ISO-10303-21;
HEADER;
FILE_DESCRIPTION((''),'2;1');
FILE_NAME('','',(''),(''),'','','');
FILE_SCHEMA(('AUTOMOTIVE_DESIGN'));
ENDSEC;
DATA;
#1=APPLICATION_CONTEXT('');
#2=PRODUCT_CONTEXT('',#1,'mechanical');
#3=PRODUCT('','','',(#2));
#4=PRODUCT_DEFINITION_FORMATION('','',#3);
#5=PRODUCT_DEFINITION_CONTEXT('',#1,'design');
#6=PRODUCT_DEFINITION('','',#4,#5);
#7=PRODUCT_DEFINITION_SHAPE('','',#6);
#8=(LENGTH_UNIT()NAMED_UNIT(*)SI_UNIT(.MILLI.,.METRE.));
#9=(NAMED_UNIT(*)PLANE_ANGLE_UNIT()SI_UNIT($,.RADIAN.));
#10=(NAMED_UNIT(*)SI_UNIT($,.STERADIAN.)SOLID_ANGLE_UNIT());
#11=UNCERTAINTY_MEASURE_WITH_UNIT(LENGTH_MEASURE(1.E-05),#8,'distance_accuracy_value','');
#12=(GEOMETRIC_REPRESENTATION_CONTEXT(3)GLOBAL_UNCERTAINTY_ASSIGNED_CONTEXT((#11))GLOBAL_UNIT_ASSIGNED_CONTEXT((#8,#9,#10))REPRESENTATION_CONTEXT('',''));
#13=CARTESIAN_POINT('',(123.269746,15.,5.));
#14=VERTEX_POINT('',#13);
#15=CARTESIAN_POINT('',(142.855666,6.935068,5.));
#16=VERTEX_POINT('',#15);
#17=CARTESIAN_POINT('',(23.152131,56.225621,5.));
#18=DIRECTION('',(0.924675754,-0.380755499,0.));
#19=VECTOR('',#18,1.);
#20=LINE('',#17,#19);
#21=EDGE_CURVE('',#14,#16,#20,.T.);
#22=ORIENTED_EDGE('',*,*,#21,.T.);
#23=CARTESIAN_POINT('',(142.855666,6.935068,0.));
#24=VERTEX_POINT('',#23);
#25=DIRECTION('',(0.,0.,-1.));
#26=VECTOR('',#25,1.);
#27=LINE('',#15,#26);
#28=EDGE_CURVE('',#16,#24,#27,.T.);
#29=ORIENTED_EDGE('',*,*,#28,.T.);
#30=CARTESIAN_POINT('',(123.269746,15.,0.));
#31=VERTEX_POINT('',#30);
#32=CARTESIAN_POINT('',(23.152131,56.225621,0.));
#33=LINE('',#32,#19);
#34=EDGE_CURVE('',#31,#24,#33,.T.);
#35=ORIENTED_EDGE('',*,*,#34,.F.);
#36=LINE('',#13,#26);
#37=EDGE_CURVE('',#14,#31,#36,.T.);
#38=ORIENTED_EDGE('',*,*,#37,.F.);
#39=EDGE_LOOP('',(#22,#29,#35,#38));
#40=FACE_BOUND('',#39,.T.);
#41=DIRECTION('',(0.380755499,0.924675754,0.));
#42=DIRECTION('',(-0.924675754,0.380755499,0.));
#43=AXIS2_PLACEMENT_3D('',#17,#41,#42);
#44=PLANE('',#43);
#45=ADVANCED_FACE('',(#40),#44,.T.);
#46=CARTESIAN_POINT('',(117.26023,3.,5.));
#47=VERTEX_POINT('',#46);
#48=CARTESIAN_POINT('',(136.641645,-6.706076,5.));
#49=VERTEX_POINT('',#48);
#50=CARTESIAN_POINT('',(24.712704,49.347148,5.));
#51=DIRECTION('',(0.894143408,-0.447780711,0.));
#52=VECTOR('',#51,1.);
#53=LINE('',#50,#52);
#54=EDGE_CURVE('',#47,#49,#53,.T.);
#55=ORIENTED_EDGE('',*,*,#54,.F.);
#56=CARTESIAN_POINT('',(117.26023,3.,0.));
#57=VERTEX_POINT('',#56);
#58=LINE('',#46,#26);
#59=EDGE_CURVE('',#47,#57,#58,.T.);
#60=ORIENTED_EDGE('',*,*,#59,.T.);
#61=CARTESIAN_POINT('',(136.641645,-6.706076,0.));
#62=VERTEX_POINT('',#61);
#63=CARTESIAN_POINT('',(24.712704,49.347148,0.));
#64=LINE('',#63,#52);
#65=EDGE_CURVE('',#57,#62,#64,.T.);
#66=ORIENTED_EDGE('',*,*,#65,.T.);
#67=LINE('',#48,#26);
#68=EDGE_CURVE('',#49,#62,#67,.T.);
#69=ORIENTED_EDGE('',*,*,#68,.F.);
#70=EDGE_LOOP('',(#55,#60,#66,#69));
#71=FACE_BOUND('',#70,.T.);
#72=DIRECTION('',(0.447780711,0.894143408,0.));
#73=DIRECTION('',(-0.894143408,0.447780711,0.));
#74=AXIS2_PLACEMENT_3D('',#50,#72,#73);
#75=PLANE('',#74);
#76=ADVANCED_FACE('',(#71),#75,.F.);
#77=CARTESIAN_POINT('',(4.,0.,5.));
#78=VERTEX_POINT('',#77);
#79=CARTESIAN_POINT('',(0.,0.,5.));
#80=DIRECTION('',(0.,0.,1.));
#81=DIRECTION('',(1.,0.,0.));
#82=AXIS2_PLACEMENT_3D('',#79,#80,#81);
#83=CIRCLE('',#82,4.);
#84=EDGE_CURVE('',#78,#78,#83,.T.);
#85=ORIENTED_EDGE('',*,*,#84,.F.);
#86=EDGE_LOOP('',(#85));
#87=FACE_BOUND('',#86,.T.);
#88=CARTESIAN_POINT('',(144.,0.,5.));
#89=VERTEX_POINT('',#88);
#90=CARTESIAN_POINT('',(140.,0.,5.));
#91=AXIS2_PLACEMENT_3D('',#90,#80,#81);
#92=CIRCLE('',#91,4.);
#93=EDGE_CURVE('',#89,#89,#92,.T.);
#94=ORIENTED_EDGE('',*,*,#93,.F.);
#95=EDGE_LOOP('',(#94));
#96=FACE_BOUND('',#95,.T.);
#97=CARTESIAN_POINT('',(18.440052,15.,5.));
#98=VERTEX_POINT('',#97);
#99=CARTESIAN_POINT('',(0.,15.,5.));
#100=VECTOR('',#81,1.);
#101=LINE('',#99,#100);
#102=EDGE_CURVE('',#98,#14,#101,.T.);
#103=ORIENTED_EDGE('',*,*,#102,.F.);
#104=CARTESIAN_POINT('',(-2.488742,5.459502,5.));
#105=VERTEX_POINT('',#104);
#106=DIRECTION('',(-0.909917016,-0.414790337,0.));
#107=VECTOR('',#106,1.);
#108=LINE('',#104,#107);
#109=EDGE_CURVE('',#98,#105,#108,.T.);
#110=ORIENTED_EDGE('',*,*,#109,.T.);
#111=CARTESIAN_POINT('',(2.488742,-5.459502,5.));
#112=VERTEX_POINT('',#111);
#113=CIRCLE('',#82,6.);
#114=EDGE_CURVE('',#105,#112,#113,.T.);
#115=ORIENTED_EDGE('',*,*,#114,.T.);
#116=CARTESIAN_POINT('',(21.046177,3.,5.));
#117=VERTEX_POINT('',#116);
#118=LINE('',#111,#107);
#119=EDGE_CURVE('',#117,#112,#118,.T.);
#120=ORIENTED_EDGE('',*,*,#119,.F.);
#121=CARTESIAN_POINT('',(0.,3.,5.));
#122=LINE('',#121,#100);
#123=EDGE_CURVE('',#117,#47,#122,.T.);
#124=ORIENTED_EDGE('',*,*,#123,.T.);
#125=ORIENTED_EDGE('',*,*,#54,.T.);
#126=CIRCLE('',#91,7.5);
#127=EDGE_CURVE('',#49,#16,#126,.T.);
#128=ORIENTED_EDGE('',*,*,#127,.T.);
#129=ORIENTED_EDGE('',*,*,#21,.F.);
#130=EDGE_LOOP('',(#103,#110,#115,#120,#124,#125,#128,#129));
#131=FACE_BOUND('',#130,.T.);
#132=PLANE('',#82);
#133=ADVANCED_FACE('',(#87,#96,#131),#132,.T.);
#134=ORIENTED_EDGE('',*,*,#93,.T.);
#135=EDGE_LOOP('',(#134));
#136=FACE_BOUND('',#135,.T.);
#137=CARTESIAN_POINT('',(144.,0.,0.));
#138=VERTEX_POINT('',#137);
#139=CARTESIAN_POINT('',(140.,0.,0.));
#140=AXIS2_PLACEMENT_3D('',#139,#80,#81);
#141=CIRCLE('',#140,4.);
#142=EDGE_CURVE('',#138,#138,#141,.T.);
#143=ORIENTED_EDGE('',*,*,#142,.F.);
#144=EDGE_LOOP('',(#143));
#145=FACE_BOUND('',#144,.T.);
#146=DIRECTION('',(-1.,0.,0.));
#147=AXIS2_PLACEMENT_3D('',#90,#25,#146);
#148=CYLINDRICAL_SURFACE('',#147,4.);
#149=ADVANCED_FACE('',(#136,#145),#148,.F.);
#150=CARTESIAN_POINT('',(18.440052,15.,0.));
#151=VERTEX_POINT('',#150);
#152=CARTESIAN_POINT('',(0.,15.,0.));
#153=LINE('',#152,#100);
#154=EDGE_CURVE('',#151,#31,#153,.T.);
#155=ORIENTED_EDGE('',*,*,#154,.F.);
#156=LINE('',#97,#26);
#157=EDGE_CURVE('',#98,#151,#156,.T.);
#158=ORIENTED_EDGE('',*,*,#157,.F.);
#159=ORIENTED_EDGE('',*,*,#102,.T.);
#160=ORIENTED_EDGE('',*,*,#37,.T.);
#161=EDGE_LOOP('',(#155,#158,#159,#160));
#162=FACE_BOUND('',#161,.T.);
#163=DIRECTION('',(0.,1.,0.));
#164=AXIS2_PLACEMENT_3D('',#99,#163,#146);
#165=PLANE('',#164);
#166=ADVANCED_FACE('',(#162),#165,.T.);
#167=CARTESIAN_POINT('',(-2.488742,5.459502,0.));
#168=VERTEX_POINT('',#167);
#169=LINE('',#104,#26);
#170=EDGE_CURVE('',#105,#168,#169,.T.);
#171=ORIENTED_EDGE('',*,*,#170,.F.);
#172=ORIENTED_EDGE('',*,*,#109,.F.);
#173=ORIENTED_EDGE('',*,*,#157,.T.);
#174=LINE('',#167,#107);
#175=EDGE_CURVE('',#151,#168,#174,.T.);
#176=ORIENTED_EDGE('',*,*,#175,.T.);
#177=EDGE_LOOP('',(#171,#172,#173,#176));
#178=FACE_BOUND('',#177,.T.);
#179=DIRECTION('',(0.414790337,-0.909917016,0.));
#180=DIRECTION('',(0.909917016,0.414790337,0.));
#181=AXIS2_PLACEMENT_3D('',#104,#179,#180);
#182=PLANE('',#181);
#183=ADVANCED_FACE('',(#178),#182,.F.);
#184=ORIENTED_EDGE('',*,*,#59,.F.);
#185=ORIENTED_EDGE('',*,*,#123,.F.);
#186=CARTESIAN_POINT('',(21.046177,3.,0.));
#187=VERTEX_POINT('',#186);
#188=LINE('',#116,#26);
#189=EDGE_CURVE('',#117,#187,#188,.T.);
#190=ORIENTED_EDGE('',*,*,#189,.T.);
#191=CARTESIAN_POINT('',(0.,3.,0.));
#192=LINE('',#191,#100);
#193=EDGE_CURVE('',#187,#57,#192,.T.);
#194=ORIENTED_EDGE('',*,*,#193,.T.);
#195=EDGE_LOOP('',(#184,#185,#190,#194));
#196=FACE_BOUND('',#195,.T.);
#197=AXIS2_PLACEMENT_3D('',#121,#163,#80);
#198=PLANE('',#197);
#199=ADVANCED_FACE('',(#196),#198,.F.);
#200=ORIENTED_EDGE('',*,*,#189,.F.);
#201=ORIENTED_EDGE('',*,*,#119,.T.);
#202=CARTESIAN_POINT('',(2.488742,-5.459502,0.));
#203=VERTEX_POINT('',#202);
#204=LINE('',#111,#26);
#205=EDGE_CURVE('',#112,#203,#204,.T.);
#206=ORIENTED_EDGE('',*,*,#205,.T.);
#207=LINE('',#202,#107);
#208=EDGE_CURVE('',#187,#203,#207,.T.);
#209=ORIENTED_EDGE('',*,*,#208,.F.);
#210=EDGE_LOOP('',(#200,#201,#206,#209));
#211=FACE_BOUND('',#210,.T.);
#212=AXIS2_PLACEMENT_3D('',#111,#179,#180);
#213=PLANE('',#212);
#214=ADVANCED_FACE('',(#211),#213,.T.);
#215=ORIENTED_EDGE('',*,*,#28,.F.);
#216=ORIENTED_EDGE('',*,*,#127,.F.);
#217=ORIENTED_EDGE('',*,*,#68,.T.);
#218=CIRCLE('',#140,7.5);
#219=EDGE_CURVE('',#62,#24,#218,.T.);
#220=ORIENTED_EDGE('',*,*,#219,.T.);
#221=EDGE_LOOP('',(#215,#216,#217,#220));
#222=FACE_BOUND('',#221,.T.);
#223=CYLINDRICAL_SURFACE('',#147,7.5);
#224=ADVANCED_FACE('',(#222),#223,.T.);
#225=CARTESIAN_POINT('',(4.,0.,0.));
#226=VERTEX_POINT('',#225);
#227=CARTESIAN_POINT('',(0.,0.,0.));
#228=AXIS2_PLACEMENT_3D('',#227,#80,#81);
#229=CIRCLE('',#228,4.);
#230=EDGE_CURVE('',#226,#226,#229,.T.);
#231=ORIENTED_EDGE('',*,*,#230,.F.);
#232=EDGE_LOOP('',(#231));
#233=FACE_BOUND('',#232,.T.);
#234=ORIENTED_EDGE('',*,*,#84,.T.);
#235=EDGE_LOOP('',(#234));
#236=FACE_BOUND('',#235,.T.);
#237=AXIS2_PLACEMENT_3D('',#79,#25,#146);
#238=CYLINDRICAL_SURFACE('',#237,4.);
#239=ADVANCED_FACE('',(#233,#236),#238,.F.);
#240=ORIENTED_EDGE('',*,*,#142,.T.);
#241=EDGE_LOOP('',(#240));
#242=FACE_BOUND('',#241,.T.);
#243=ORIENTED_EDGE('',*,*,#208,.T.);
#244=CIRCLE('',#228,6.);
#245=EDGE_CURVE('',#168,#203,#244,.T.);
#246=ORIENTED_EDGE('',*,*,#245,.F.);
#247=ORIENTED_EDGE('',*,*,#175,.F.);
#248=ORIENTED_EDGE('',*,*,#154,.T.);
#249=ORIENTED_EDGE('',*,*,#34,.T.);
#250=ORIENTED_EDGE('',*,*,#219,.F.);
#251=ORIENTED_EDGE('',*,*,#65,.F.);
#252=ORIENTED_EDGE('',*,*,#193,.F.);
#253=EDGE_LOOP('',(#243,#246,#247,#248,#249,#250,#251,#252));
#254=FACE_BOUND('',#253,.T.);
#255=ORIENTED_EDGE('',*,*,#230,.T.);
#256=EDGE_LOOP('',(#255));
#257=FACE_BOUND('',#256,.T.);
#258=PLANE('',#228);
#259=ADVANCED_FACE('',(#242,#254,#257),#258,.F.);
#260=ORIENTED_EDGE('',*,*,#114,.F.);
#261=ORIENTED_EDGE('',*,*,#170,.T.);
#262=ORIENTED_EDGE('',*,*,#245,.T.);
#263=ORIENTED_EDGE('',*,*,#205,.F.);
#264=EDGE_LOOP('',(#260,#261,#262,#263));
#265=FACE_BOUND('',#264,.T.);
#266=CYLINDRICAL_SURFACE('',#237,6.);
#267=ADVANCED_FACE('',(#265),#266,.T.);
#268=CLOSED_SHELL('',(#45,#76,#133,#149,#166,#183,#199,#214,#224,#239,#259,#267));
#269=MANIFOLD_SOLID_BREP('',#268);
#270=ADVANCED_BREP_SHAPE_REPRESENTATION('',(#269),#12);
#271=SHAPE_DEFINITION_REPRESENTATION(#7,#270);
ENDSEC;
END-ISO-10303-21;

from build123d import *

# Parameters (mm, degrees)
SCHIZZO1_R                   = 4
ESTRUSIONE_ESTRUSIONE1_DEPTH = 5


with BuildPart() as part:
    # Schizzo1 → Estrusione-Estrusione1 (new body)
    with BuildSketch(Plane.XY):
        with BuildLine():
            Line((18.440051647, 15), (123.269745712, 15))
            Line((123.269745712, 15), (142.855666239, 6.935068156))
            ThreePointArc((142.855666239, 6.935068156), (146.82520143, -3.10911972), (136.641644665, -6.706075562))
            Line((136.641644665, -6.706075562), (117.260230363, 3))
            Line((117.260230363, 3), (21.046177465, 3))
            Line((21.046177465, 3), (2.488742023, -5.459502096))
            ThreePointArc((2.488742023, -5.459502096), (-5.459502096, -2.488742023), (-2.488742023, 5.459502096))
            Line((-2.488742023, 5.459502096), (18.440051647, 15))
        make_face()
        Circle(SCHIZZO1_R, mode=Mode.SUBTRACT)
        with Locations((140, 0)):
            Circle(SCHIZZO1_R, mode=Mode.SUBTRACT)
    extrude(amount=ESTRUSIONE_ESTRUSIONE1_DEPTH)


solid = part.part
